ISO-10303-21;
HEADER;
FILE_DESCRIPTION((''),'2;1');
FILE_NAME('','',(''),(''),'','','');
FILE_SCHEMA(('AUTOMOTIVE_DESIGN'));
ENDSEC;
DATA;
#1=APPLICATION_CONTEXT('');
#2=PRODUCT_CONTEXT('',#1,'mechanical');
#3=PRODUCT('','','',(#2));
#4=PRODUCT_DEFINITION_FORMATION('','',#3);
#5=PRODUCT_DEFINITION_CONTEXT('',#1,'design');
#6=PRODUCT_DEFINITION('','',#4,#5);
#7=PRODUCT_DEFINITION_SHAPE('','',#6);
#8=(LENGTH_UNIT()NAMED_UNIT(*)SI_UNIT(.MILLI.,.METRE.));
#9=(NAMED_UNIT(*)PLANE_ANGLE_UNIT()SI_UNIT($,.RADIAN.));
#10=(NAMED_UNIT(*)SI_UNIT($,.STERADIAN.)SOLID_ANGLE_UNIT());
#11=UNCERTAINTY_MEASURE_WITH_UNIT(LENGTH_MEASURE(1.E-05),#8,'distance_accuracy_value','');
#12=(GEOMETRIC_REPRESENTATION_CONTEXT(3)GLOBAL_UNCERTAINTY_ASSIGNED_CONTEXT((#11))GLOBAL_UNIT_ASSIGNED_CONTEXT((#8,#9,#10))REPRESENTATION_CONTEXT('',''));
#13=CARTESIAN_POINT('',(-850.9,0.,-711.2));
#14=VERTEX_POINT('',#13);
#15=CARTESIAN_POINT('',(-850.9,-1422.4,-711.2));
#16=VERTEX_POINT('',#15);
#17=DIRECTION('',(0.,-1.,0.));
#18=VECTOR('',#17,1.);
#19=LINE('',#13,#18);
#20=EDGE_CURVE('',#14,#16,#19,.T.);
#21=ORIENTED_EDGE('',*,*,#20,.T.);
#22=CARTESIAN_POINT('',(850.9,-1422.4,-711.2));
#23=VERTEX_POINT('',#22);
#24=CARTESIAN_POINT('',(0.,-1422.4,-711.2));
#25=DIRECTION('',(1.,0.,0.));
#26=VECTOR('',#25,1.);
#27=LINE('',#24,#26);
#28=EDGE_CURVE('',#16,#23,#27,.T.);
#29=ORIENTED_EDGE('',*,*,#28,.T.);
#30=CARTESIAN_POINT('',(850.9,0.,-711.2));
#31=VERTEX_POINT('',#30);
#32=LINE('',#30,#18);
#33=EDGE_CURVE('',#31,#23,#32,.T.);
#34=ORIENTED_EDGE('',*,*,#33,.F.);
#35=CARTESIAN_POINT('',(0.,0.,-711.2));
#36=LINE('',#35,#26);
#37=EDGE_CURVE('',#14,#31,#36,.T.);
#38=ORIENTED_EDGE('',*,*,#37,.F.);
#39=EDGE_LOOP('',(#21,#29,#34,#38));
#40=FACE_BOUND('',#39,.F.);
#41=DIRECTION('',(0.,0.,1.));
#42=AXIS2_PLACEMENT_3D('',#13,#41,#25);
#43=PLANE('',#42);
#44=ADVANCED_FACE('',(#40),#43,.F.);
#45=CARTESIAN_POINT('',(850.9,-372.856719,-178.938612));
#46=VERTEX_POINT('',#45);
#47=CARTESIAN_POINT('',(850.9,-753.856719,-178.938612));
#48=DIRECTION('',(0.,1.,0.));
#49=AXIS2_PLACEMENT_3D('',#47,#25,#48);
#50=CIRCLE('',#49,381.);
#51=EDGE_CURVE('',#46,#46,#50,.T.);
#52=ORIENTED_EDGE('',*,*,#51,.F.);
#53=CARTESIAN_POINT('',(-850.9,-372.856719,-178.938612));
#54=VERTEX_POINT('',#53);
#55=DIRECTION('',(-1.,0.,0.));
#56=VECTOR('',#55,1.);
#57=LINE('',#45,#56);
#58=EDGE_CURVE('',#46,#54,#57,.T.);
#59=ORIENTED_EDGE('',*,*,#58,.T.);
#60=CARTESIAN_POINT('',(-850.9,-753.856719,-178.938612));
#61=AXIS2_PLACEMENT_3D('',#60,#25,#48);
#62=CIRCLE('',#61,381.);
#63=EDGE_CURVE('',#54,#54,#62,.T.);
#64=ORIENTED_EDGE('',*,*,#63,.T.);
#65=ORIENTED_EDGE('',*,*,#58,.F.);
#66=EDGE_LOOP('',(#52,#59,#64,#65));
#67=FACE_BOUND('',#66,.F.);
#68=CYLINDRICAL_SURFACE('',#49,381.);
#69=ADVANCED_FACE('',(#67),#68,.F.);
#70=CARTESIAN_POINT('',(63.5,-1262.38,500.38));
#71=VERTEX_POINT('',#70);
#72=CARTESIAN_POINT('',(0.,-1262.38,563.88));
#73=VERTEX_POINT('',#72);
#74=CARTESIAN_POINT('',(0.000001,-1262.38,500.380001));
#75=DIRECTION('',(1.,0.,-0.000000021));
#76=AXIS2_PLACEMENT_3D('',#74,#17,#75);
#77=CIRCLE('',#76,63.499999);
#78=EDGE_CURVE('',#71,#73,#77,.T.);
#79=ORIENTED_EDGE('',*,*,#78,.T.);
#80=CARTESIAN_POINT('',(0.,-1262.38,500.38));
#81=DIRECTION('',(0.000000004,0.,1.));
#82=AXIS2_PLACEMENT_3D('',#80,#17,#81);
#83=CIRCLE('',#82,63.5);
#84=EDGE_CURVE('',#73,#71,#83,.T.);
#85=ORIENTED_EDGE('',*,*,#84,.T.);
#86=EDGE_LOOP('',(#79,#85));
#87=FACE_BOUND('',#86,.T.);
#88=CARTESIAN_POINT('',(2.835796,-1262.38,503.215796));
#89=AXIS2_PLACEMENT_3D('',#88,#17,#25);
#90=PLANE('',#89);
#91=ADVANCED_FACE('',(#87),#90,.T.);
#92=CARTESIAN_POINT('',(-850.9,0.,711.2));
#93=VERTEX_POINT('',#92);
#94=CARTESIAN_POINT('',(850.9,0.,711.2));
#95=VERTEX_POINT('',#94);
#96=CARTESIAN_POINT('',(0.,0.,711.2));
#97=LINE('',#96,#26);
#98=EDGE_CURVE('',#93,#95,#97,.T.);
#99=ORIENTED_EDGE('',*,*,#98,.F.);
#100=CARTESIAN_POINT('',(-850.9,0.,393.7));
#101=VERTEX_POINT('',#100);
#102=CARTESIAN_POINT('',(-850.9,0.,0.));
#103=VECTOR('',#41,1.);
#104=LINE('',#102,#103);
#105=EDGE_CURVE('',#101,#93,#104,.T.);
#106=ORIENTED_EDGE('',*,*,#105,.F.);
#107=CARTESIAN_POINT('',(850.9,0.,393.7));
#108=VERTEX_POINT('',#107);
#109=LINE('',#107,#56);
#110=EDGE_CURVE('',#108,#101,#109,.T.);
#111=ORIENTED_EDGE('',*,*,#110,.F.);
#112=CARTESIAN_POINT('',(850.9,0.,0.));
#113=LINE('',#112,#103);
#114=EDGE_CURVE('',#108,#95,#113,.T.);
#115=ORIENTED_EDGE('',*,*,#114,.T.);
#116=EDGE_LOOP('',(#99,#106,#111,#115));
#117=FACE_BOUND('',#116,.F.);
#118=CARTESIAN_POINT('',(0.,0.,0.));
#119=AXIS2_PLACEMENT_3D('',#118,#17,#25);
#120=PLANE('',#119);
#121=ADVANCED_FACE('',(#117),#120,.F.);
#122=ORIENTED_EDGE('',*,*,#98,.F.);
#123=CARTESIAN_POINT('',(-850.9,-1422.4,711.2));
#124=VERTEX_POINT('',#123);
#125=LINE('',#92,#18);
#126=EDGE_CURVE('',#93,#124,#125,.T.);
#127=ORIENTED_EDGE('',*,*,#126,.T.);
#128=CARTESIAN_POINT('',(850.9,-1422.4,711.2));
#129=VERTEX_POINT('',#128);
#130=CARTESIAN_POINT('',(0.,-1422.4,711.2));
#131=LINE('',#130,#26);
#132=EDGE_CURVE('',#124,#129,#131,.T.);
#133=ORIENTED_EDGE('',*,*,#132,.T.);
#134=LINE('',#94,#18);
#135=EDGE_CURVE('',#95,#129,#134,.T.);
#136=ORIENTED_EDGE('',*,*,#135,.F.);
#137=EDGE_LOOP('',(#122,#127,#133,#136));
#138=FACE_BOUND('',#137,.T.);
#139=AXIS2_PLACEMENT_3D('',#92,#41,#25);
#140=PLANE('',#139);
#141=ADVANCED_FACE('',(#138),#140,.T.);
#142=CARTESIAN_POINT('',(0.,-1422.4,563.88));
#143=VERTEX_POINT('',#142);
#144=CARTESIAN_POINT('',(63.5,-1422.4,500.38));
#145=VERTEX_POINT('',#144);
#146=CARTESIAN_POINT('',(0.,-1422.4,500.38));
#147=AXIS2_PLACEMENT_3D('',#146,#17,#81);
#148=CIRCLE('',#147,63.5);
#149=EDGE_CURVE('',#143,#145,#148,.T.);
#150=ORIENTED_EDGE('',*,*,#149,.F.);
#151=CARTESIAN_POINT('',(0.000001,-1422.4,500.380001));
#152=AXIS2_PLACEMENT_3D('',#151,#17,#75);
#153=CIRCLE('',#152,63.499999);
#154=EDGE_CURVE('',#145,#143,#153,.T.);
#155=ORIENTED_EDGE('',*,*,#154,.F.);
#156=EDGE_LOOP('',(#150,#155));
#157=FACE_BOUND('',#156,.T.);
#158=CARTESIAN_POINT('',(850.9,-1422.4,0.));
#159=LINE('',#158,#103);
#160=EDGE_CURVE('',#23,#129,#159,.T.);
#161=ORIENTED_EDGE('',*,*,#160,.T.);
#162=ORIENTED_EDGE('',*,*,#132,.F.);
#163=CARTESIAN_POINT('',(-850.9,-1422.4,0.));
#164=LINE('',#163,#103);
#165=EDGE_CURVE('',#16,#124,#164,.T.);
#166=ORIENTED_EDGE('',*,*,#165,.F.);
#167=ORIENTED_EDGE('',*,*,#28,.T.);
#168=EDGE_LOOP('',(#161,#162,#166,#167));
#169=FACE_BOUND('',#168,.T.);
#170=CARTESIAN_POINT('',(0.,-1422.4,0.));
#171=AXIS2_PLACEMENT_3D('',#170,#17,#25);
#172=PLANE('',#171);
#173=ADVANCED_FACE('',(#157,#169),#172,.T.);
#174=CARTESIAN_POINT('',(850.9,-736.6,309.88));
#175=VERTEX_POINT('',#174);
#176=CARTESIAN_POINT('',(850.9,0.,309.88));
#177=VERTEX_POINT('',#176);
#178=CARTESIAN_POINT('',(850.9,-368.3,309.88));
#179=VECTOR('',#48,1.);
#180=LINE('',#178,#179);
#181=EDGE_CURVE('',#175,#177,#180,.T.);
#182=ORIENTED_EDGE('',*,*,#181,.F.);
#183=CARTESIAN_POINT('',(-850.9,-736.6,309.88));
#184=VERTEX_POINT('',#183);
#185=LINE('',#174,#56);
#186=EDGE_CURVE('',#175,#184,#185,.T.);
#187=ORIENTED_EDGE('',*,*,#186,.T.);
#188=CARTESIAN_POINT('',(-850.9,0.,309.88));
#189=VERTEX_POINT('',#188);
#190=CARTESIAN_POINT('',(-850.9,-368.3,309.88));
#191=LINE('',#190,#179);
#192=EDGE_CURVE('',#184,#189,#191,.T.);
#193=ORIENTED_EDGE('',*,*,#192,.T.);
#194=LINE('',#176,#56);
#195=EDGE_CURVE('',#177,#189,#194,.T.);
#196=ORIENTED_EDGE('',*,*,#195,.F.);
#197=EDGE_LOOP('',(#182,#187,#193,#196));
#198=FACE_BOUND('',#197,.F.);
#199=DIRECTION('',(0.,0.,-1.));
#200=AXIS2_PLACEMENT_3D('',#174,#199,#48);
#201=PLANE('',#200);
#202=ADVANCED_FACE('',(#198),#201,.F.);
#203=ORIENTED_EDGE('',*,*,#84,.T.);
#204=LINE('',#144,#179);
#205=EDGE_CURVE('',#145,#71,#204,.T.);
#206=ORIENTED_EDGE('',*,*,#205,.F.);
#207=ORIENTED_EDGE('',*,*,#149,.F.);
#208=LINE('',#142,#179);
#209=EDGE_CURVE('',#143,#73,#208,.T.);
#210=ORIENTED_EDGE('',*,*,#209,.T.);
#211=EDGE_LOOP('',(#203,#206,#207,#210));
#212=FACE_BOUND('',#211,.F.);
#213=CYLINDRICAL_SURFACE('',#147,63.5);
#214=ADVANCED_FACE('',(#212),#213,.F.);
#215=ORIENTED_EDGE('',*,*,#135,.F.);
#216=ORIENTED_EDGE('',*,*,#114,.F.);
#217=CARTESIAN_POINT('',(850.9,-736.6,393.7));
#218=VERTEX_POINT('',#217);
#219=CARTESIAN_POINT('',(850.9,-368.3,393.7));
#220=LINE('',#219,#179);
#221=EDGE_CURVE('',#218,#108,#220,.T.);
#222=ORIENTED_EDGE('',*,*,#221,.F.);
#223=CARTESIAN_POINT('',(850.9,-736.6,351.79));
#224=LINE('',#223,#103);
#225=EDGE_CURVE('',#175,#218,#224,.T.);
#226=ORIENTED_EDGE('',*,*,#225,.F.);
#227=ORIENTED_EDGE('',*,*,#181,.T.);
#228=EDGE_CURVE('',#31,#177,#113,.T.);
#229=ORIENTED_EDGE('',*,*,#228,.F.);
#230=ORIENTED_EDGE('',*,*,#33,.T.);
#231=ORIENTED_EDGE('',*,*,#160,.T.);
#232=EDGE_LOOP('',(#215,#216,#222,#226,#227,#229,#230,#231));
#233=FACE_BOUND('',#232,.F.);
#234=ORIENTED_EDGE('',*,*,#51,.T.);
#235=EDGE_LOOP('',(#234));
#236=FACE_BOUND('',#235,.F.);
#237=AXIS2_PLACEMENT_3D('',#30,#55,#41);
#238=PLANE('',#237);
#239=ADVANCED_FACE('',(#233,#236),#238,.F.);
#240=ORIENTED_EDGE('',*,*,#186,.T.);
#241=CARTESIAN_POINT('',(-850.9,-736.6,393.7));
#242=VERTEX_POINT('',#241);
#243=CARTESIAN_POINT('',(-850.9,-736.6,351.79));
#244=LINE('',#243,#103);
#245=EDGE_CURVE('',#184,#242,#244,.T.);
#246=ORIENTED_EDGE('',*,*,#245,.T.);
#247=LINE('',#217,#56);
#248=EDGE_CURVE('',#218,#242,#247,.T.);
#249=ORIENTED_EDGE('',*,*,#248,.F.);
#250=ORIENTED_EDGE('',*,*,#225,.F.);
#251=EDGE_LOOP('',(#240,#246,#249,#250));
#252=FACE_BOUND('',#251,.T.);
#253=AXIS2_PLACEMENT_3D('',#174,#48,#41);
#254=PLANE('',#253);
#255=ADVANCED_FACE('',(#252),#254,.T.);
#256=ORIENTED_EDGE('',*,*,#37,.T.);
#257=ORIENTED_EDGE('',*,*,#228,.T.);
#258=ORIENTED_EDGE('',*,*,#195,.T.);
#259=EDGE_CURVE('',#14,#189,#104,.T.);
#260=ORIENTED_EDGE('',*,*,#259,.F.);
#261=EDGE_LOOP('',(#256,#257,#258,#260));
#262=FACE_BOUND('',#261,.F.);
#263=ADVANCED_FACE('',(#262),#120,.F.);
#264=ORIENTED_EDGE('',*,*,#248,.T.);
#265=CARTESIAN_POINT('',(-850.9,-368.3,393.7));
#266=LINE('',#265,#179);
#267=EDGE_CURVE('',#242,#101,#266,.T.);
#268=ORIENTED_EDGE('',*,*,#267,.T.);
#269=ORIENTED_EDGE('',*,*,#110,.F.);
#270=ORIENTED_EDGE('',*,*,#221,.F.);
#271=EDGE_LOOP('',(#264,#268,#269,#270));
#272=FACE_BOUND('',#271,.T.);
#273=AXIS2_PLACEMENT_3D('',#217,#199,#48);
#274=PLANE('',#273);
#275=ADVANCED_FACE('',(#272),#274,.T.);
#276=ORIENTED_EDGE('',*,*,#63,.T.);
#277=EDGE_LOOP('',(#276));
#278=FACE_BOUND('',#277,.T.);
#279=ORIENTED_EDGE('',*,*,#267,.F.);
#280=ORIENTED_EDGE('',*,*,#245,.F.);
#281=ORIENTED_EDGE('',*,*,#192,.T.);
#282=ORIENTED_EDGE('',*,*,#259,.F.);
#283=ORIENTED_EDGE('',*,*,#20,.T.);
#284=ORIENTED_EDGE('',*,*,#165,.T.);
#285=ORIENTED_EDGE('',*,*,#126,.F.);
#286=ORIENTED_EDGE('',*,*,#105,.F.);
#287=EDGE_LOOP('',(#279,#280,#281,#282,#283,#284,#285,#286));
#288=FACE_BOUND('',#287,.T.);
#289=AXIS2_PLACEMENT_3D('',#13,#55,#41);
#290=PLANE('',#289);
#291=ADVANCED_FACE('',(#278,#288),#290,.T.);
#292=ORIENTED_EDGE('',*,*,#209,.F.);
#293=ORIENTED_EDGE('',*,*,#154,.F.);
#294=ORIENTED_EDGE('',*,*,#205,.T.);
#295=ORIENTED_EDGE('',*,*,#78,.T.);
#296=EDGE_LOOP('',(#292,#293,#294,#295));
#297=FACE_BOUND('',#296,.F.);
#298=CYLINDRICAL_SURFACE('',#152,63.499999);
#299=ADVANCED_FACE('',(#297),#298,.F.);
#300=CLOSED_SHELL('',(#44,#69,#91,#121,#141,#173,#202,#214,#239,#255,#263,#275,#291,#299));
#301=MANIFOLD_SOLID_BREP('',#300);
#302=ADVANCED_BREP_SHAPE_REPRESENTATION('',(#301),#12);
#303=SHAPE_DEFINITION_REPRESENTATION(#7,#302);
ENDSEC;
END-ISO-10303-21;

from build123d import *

# Parameters (mm, degrees)
F0_W     = 1701.8
F0_H     = 1422.4
F1_DEPTH = 1422.4
F3_DEPTH = 160.02
F4_W     = 736.6
F4_H     = 83.82
F5_DEPTH = 1701.8
F6_R     = 381
F7_DEPTH = 3035.3


with BuildPart() as f1:
    # F0 (on Front) → F1 (new body)
    with BuildSketch(Plane.XZ):
        Rectangle(F0_W, F0_H)
    extrude(amount=F1_DEPTH)

    # F2 (on face) → F3 (cut)
    with BuildSketch(Plane.XZ.offset(1422.4)):
        with BuildLine():
            ThreePointArc((63.5, 500.38), (44.901281, 545.281281), (0, 563.88))
            ThreePointArc((0, 563.88), (-44.901281, 455.478719), (63.5, 500.38))
        make_face()
    extrude(amount=-F3_DEPTH, mode=Mode.SUBTRACT)

    # F4 (on face) → F5 (cut)
    with BuildSketch(Plane.YZ.offset(850.9)):
        with Locations((-368.3, 351.79)):
            Rectangle(F4_W, F4_H)
    extrude(amount=-F5_DEPTH, mode=Mode.SUBTRACT)

    # F6 (on face) → F7 (cut)
    with BuildSketch(Plane.YZ.offset(850.9)):
        with Locations((-753.856719, -178.938612)):
            Circle(F6_R)
    extrude(amount=-F7_DEPTH, mode=Mode.SUBTRACT)


solid = f1.part
